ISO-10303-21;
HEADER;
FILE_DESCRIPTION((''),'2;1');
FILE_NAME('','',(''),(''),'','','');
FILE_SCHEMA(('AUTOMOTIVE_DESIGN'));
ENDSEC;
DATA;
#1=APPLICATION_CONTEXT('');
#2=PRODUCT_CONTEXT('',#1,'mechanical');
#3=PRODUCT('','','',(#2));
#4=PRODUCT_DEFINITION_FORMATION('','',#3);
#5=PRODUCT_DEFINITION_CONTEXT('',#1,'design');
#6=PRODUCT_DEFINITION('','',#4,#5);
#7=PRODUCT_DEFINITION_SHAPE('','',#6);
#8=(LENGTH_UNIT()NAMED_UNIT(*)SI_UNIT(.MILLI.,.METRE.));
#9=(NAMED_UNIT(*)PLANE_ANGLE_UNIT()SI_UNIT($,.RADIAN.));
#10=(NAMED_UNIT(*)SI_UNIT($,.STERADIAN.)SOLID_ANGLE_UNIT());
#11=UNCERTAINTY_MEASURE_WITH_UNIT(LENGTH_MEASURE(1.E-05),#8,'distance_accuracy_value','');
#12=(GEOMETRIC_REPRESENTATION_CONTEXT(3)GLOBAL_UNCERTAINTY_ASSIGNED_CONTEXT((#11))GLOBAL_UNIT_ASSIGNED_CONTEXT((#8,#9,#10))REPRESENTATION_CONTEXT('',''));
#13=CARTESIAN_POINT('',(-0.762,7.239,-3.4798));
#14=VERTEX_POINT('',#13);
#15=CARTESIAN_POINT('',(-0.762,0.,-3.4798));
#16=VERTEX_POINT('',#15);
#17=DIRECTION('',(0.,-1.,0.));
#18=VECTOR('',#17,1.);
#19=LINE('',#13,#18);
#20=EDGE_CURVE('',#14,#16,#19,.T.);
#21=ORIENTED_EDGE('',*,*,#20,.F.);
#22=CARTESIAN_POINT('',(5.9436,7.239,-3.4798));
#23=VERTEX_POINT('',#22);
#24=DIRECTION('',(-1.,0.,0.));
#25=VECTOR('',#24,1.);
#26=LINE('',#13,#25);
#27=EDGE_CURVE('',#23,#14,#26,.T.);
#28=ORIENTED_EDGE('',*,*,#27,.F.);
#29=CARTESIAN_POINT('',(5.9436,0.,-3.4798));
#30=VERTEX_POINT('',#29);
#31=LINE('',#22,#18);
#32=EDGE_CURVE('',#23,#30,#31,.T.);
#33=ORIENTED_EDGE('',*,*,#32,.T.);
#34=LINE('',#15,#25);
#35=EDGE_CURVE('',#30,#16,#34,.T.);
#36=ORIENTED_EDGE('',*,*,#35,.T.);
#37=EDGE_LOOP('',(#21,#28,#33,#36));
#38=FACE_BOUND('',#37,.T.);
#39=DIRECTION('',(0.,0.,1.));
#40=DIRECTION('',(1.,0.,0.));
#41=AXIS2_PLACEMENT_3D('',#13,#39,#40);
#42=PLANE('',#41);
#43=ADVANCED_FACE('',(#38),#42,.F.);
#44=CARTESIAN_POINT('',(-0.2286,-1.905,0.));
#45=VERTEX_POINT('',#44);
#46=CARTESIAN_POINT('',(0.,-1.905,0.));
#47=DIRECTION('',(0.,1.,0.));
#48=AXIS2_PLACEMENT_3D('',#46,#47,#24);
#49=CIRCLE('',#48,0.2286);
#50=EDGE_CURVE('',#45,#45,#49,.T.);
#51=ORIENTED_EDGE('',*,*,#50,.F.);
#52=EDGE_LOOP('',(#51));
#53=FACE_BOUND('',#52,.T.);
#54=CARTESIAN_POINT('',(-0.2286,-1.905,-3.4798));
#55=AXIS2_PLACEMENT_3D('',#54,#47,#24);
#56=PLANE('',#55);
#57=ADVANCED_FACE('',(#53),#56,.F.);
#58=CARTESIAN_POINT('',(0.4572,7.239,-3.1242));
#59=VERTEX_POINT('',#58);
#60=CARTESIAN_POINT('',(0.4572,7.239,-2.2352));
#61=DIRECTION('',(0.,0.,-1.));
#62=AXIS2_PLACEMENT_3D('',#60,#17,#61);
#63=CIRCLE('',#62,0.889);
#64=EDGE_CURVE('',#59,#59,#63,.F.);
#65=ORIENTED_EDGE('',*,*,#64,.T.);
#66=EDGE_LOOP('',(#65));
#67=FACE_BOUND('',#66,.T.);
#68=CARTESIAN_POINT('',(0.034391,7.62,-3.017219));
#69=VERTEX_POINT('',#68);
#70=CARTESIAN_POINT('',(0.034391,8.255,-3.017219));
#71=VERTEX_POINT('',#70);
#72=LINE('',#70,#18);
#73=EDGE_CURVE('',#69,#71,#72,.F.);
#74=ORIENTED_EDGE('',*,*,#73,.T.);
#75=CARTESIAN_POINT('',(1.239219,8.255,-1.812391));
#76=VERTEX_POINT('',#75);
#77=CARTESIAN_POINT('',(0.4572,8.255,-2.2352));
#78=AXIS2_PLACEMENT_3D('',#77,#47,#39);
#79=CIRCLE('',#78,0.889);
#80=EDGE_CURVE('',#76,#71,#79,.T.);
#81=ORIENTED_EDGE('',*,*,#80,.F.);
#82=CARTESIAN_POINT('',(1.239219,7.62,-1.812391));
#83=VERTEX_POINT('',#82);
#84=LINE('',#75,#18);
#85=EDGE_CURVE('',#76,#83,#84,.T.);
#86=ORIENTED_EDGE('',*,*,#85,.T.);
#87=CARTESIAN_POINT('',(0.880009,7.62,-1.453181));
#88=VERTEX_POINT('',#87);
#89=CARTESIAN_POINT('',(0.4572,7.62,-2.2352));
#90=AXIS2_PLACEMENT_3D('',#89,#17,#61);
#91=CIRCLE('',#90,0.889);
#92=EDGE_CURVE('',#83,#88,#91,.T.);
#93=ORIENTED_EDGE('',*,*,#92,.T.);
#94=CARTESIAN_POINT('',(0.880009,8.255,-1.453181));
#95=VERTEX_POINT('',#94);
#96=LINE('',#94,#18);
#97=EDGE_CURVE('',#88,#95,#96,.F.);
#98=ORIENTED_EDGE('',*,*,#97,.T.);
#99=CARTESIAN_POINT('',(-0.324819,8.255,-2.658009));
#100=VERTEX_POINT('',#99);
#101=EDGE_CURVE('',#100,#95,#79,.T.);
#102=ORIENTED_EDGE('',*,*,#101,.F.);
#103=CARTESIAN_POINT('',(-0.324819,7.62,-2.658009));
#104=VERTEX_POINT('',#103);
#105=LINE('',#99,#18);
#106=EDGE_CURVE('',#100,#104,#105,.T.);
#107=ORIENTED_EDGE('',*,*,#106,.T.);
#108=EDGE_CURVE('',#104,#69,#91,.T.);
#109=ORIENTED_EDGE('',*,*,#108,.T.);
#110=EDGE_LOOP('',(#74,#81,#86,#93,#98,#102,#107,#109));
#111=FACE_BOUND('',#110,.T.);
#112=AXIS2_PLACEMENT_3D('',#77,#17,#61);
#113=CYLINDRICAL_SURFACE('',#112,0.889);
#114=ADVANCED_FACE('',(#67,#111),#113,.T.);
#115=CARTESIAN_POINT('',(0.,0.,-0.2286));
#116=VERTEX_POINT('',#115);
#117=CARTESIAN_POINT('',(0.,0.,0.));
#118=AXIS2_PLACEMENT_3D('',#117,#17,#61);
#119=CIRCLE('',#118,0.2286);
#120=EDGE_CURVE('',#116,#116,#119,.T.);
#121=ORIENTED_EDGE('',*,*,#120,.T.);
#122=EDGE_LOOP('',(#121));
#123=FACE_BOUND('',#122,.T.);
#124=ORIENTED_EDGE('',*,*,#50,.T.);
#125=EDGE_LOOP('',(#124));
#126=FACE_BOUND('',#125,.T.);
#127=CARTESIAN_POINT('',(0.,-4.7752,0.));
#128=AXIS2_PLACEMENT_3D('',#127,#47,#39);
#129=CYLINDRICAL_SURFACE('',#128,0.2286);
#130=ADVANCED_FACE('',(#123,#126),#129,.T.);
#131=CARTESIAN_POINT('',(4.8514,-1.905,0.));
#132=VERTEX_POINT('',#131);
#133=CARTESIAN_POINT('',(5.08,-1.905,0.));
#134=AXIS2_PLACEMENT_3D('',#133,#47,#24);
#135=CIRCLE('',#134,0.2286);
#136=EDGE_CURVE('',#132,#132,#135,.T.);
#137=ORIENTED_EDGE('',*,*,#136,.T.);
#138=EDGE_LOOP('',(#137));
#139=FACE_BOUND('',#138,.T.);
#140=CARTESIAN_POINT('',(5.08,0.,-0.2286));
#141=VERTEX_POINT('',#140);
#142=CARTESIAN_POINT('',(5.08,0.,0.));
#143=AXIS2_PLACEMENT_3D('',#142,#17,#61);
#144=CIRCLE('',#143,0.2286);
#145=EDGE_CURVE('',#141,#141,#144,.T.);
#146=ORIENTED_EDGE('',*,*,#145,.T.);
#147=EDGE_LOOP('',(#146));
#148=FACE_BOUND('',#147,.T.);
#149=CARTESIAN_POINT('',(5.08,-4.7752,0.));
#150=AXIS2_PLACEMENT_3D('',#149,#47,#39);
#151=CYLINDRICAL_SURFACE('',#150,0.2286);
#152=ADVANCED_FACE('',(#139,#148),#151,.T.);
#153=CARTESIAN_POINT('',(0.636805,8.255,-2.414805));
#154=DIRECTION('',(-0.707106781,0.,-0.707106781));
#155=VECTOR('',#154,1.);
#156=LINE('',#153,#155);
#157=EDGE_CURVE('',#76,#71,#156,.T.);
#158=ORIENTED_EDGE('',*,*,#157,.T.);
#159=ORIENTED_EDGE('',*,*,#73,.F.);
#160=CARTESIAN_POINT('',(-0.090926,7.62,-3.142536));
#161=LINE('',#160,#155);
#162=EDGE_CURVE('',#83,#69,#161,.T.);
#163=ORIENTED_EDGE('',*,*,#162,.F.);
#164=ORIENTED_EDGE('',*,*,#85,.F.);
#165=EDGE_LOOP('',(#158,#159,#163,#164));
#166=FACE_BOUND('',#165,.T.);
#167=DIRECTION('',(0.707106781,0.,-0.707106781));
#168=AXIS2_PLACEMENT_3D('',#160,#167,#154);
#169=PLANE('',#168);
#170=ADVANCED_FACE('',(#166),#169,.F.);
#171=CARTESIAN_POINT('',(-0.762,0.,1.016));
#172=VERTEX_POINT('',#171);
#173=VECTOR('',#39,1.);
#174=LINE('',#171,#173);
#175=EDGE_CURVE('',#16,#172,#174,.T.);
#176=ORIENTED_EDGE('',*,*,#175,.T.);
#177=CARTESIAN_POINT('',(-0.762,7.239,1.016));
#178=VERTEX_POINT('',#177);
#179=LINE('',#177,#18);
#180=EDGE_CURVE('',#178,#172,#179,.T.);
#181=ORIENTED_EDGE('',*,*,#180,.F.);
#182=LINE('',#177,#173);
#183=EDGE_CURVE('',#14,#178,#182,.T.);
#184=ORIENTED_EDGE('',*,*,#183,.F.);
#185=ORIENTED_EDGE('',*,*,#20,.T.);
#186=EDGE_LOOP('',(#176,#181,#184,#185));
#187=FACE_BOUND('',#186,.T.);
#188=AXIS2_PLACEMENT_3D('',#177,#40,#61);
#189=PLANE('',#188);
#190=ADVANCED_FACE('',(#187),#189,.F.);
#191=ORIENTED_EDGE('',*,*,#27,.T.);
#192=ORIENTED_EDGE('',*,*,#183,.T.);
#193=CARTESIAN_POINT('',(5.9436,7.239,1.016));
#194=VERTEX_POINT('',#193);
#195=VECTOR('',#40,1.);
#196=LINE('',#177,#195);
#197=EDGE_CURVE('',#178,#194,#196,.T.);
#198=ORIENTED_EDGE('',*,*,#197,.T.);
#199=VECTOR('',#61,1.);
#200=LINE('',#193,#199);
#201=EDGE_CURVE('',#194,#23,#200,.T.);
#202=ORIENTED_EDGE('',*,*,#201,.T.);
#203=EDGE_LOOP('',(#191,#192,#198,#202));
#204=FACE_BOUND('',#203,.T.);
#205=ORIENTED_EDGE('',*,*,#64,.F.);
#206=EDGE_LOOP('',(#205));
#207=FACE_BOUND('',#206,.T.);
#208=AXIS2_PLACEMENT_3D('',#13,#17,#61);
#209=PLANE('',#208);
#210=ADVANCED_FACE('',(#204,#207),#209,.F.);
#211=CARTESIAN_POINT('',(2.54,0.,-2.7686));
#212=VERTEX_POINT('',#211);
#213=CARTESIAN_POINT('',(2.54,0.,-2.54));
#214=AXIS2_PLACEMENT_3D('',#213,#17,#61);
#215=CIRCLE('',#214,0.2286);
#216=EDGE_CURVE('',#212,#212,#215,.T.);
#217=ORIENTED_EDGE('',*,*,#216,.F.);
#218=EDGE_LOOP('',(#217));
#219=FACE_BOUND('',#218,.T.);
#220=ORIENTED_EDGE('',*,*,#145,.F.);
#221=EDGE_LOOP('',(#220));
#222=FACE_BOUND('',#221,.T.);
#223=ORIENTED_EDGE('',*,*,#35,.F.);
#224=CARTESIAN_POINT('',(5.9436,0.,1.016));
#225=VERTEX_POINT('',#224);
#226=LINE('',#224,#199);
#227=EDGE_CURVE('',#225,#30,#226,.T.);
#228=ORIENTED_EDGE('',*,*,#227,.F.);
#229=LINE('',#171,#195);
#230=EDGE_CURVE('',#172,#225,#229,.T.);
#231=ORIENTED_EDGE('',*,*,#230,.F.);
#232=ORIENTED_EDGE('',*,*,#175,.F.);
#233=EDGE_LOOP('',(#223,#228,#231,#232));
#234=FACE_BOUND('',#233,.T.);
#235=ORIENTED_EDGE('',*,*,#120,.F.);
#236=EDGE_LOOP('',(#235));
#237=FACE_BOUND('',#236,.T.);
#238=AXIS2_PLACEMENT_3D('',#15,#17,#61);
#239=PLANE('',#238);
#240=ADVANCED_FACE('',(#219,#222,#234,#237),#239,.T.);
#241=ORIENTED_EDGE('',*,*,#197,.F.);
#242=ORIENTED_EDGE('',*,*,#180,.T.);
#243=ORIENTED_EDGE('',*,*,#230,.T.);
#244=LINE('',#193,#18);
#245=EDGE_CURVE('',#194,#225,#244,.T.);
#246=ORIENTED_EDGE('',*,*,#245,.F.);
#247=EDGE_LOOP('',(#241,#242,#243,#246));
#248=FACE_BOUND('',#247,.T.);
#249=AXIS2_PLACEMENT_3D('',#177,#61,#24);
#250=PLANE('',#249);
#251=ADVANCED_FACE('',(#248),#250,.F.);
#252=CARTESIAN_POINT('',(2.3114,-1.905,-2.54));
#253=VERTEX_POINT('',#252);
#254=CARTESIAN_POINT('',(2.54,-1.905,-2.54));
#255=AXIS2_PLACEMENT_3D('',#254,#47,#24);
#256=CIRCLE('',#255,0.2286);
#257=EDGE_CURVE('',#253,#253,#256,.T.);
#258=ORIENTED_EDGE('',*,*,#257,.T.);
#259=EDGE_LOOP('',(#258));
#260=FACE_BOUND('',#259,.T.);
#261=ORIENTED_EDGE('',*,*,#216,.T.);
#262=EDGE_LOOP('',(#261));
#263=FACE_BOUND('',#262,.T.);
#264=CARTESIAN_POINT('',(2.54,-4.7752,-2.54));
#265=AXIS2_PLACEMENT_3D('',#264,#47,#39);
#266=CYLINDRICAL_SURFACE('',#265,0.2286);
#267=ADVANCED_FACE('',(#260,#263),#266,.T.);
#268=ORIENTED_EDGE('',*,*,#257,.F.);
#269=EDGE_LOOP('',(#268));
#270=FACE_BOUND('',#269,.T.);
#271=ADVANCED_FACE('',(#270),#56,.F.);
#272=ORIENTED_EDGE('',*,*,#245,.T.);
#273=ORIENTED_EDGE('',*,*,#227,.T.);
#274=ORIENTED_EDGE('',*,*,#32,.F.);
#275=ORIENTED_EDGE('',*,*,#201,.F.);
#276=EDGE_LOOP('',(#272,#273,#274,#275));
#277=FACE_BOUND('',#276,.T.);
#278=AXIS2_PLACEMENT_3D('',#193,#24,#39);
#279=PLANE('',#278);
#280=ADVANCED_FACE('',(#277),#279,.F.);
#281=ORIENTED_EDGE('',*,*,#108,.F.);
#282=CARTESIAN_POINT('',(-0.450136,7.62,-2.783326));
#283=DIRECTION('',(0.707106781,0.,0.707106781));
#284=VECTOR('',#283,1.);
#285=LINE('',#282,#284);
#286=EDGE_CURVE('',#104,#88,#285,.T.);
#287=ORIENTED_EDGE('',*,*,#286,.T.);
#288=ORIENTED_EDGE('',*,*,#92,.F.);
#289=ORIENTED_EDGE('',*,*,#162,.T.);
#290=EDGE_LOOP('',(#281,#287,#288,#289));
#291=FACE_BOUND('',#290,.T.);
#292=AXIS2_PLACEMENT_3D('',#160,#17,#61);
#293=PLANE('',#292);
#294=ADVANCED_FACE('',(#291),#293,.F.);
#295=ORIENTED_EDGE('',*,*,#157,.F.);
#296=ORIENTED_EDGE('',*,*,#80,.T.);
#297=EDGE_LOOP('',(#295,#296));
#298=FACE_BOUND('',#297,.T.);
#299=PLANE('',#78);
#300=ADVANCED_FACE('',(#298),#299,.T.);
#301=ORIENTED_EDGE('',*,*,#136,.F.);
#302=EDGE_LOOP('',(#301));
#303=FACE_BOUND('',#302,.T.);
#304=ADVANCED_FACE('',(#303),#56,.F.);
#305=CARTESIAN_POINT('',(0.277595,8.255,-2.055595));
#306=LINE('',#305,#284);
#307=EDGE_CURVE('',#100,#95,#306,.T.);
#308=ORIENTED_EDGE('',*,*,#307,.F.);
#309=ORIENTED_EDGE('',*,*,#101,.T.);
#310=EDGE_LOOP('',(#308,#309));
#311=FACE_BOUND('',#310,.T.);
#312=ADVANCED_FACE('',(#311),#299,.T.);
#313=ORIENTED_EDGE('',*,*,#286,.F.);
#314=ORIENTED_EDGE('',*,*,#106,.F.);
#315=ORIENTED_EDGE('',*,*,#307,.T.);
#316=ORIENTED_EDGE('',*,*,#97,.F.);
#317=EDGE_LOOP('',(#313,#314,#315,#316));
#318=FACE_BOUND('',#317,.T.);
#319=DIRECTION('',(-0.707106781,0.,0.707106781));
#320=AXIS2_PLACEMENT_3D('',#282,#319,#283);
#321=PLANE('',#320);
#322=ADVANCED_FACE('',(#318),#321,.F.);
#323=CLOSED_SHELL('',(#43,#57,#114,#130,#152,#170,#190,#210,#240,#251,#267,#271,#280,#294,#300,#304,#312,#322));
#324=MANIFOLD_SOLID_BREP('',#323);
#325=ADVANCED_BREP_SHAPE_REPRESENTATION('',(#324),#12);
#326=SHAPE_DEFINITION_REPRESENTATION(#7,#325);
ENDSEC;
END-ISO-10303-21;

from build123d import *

# Parameters (mm, degrees)
SKETCH1_W      = 6.7056
SKETCH1_H      = 4.4958
EXTRUDE1_DEPTH = 7.239
SKETCH2_R      = 0.889
EXTRUDE2_DEPTH = 1.016
EXTRUDE3_DEPTH = 0.635
SKETCH4_R      = 0.2286
EXTRUDE4_DEPTH = 4.7752
SKETCH5_W      = 5.5372
SKETCH5_H      = 2.8702
PCB_TRIM_DEPTH = 12.121313933


with BuildPart() as part:
    # Sketch1 → Extrude1 (new body)
    with BuildSketch(Plane(origin=(0, 0, 0), x_dir=(1, 0, 0), z_dir=(0, 1, 0))):
        with Locations((2.5908, 1.2319)):
            Rectangle(SKETCH1_W, SKETCH1_H)
    extrude(amount=EXTRUDE1_DEPTH)

    # Sketch2 → Extrude2 (add)
    with BuildSketch(Plane(origin=(0, 7.239, 0), x_dir=(1, 0, 0), z_dir=(0, 1, 0))):
        with Locations(Location((0.4572, 2.2352, 0), (0, 0, 90))):
            Circle(SKETCH2_R)
    extrude(amount=EXTRUDE2_DEPTH)

    # Sketch3 → Extrude3 (cut)
    with BuildSketch(Plane(origin=(0, 8.255, 0), x_dir=(1, 0, 0), z_dir=(0, 1, 0))):
        Polygon((-0.450136371, 2.783326126), (1.005326126, 1.327863629), (1.364536371, 1.687073874), (-0.090926126, 3.142536371), align=None)
    extrude(amount=-EXTRUDE3_DEPTH, mode=Mode.SUBTRACT)

    # Sketch4 → Extrude4 (add)
    with BuildSketch(Plane.XZ):
        with Locations(Location((0, 0, 0), (0, 0, 270))):
            Circle(SKETCH4_R)
        with Locations(Location((5.08, 0, 0), (0, 0, 270))):
            Circle(SKETCH4_R)
        with Locations(Location((2.54, -2.54, 0), (0, 0, 270))):
            Circle(SKETCH4_R)
    extrude(amount=EXTRUDE4_DEPTH)

    # Sketch5 → PCB Trim (cut, through all)
    with BuildSketch(Plane.XY.offset(1.016)):
        with Locations((2.54, -3.3401)):
            Rectangle(SKETCH5_W, SKETCH5_H)
    extrude(amount=-PCB_TRIM_DEPTH, mode=Mode.SUBTRACT)


solid = part.part
